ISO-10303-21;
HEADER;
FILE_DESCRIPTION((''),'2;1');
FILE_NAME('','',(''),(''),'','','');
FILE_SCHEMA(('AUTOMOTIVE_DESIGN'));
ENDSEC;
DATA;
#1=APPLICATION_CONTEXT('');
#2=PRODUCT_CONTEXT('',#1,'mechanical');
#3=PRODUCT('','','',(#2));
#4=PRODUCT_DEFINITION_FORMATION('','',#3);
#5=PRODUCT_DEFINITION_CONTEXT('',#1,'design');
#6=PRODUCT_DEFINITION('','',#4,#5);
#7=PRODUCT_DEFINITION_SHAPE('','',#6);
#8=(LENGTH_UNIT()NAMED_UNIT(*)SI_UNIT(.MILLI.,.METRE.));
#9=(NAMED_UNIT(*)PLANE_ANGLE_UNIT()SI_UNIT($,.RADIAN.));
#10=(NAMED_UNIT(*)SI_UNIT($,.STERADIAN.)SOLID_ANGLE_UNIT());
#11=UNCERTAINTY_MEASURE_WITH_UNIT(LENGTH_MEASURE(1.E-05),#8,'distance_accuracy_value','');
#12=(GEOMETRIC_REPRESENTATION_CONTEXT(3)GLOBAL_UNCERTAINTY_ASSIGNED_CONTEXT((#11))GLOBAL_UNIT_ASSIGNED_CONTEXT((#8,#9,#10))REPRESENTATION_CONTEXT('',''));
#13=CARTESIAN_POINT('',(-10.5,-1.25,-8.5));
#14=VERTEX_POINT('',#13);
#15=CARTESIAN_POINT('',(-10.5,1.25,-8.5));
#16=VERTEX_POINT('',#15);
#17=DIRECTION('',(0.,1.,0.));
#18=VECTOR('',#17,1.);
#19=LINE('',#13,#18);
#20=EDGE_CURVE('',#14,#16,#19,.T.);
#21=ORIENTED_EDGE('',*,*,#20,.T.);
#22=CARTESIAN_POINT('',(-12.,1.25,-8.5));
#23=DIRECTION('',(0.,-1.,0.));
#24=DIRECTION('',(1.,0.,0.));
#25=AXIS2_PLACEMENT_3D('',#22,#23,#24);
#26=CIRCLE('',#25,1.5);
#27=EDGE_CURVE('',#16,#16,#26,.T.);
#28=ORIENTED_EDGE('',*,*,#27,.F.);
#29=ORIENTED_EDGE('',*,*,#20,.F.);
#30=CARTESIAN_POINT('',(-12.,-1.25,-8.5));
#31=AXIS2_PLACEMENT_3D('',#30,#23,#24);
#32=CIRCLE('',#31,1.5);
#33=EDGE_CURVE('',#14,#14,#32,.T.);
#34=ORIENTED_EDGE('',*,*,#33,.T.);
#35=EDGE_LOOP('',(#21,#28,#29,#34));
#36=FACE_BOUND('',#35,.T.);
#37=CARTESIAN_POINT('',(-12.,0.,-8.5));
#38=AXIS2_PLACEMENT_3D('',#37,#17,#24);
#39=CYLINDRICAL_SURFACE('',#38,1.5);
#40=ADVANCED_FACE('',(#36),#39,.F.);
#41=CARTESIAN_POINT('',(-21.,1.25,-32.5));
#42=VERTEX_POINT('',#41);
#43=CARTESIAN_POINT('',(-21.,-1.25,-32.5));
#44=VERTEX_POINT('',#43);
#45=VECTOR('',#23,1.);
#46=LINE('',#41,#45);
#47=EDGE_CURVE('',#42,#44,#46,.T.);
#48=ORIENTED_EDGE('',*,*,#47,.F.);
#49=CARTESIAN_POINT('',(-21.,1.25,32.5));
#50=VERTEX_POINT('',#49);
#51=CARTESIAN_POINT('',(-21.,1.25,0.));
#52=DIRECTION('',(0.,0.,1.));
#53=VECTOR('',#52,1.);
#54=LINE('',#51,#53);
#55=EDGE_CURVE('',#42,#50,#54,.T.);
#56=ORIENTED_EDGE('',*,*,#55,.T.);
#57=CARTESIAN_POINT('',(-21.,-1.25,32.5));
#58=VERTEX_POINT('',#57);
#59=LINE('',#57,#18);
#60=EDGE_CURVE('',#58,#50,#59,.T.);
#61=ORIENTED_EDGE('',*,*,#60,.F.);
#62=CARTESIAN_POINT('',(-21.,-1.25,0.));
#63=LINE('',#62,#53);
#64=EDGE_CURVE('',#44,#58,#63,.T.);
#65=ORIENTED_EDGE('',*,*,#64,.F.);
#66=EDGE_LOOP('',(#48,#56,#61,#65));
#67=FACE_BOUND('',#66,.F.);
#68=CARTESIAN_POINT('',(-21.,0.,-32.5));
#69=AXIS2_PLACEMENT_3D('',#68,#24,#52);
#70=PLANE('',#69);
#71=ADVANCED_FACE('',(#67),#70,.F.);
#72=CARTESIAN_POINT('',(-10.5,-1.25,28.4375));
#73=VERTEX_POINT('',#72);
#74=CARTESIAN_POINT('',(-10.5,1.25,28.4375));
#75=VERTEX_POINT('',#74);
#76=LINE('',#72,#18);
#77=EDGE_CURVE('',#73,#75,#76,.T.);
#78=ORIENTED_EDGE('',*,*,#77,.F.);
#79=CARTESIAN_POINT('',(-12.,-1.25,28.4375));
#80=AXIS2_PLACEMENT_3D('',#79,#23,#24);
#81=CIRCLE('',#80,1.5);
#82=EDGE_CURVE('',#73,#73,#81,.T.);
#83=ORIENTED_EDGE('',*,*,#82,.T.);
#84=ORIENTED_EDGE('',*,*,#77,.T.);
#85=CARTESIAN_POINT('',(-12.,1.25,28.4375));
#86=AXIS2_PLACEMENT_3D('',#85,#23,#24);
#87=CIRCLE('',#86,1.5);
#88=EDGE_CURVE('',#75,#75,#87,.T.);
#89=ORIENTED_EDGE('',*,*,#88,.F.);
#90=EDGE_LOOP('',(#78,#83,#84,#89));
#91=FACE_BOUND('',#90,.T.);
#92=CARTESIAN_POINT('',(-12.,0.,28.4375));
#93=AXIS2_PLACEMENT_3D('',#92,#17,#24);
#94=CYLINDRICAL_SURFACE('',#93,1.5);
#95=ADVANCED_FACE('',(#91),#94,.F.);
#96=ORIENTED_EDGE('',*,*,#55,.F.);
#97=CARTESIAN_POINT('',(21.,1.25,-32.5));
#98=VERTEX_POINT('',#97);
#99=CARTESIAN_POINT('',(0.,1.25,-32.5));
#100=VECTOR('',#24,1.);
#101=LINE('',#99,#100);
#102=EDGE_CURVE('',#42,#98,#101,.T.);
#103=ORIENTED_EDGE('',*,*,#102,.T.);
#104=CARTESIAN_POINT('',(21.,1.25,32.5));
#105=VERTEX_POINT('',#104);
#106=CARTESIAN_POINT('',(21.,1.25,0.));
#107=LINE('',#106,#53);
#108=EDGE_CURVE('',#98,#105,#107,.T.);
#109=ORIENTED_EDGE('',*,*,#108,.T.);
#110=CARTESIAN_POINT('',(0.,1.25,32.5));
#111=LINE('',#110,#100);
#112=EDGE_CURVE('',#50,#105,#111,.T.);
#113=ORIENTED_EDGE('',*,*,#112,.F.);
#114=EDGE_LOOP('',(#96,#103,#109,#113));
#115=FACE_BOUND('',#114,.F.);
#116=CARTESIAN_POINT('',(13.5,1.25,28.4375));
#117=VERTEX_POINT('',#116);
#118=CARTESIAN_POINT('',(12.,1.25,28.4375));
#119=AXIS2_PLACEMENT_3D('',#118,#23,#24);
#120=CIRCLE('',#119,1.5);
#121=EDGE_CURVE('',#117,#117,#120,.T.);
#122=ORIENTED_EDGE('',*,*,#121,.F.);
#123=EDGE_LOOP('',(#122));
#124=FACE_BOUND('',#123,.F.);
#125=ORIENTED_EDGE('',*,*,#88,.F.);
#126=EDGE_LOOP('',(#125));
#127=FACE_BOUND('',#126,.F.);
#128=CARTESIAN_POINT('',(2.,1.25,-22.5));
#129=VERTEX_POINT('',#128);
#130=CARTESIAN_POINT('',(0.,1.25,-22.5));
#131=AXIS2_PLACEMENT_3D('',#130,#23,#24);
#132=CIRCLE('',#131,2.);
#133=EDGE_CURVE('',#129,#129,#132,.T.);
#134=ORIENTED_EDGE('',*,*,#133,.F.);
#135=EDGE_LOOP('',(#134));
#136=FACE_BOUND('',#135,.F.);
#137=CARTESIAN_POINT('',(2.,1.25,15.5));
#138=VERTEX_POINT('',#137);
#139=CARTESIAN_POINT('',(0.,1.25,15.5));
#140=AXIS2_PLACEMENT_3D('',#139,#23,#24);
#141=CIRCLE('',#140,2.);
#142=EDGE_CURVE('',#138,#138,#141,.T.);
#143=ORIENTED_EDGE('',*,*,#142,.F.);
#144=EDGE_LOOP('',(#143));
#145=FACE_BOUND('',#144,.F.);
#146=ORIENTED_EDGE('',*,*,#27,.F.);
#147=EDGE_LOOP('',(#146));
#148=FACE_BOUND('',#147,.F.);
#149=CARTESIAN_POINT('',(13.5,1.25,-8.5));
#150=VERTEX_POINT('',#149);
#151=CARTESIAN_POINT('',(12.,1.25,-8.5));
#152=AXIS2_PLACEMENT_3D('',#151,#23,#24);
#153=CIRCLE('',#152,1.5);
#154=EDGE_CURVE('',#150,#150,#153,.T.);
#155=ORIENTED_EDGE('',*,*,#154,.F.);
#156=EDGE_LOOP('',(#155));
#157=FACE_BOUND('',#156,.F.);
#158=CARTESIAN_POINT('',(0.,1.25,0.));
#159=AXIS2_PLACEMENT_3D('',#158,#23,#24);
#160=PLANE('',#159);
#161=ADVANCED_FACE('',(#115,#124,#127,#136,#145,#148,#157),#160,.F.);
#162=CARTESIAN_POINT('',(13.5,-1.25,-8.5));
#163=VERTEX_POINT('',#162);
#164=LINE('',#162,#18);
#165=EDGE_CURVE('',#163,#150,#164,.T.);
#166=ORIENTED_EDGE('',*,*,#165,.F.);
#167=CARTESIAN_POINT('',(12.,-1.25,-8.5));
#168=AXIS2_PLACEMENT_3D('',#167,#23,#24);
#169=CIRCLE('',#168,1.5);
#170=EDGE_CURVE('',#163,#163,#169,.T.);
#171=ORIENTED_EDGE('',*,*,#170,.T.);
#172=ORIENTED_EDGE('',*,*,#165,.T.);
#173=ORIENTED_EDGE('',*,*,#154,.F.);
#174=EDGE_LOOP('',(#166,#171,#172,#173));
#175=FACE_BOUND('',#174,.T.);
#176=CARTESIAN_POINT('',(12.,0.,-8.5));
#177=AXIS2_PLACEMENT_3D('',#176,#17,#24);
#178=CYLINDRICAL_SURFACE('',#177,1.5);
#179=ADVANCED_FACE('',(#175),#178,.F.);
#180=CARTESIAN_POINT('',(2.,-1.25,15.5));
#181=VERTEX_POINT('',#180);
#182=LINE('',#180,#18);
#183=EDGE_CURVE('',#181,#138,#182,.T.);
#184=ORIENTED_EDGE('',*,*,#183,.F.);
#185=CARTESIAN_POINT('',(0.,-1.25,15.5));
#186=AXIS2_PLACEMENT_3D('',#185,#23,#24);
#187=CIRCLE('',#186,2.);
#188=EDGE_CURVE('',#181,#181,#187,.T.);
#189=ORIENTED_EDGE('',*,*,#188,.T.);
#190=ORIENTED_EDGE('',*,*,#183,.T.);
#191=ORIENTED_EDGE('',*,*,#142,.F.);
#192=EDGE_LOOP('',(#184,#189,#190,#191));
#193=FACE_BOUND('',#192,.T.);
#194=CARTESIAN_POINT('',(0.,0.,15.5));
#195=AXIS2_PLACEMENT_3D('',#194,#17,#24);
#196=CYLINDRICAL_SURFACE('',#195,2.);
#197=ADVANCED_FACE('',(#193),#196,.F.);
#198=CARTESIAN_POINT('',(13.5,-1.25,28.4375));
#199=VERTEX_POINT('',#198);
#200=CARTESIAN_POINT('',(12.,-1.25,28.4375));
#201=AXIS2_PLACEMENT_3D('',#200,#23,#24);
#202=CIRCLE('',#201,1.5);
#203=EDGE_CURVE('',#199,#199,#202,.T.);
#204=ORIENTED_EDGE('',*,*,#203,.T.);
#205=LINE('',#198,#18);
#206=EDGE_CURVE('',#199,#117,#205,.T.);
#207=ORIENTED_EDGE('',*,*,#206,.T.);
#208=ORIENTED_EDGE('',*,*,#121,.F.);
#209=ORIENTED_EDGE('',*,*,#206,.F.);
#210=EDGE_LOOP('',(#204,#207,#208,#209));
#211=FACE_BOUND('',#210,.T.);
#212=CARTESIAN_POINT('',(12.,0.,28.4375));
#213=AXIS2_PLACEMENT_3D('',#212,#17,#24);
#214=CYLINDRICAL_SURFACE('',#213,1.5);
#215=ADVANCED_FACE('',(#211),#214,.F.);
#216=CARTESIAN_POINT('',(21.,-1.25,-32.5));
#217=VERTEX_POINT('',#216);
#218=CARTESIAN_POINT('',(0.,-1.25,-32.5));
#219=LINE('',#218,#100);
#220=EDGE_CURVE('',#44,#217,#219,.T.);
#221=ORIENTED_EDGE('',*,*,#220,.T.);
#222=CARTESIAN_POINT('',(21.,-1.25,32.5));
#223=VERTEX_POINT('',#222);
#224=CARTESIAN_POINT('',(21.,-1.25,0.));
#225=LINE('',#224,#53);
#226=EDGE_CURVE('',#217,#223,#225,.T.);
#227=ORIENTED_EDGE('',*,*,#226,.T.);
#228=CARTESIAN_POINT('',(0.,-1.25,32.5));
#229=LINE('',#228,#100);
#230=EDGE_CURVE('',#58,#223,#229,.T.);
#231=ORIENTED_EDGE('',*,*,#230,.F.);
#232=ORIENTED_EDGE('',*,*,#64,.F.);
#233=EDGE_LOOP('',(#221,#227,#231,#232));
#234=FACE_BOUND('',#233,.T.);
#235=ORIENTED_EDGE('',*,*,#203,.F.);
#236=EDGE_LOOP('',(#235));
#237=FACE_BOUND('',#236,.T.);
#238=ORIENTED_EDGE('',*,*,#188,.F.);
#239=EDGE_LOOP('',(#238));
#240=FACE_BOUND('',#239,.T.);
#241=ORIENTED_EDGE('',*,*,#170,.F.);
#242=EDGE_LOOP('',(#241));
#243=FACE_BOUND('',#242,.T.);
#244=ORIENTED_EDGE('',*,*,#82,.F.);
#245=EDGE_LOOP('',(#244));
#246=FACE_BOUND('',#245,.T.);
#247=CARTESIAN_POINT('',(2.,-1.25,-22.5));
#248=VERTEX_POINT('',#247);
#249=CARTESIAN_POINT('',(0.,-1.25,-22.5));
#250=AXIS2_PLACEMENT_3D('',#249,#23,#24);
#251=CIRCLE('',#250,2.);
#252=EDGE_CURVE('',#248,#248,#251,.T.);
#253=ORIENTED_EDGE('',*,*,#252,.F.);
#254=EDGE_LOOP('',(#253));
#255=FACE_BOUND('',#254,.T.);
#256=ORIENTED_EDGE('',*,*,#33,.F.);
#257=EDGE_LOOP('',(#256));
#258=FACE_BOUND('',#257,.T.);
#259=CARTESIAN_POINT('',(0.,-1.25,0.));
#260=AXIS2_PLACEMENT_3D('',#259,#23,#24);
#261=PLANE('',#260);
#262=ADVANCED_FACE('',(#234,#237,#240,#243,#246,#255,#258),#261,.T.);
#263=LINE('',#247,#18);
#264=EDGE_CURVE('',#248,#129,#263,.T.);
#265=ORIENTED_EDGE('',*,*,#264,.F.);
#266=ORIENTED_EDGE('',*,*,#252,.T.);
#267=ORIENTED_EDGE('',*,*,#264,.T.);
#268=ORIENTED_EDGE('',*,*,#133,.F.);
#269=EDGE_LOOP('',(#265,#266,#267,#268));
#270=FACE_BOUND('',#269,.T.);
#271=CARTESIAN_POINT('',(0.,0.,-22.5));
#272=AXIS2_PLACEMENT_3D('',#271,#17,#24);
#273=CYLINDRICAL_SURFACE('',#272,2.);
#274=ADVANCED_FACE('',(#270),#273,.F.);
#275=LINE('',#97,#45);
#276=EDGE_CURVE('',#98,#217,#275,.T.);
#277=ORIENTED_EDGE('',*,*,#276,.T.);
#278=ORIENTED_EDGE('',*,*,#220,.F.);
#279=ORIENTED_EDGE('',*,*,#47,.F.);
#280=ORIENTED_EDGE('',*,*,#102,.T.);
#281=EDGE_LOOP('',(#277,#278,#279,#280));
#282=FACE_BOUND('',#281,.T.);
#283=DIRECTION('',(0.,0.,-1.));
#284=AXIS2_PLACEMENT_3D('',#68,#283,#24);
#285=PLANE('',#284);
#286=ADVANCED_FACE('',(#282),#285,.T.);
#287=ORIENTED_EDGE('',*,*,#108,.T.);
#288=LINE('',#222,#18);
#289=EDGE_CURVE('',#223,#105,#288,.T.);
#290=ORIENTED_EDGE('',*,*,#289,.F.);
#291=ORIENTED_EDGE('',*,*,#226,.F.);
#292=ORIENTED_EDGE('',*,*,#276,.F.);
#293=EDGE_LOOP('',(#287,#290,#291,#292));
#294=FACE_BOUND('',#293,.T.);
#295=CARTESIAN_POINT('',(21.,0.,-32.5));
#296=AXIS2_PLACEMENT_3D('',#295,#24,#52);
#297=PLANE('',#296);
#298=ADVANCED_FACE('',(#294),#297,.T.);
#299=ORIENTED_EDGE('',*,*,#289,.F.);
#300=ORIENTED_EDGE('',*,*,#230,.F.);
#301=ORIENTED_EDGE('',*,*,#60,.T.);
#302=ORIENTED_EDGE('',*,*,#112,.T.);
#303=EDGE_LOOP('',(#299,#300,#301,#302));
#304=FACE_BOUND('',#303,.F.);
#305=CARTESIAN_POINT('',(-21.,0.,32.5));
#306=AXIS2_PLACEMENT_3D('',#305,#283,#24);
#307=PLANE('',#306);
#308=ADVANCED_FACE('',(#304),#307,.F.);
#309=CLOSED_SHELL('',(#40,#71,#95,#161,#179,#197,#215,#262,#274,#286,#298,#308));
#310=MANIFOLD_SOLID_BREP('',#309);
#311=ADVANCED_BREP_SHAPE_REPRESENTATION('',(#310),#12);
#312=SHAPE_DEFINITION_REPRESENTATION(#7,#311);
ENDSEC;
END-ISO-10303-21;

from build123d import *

# Parameters (mm, degrees)
F0_W     = 42
F0_H     = 65
F0_R     = 1.5
F0_R_2   = 2
F1_DEPTH = 1.25


with BuildPart() as f1:
    # F0 (on Front) → F1 (new body, symmetric)
    with BuildSketch(Plane.XZ):
        Rectangle(F0_W, F0_H)
        with Locations((-12, -8.5)):
            Circle(F0_R, mode=Mode.SUBTRACT)
        with Locations((0, -22.5)):
            Circle(F0_R_2, mode=Mode.SUBTRACT)
        with Locations((12, -8.5)):
            Circle(F0_R, mode=Mode.SUBTRACT)
        with Locations((-12, 28.4375)):
            Circle(F0_R, mode=Mode.SUBTRACT)
        with Locations((0, 15.5)):
            Circle(F0_R_2, mode=Mode.SUBTRACT)
        with Locations((12, 28.4375)):
            Circle(F0_R, mode=Mode.SUBTRACT)
    extrude(amount=F1_DEPTH, both=True)


solid = f1.part
